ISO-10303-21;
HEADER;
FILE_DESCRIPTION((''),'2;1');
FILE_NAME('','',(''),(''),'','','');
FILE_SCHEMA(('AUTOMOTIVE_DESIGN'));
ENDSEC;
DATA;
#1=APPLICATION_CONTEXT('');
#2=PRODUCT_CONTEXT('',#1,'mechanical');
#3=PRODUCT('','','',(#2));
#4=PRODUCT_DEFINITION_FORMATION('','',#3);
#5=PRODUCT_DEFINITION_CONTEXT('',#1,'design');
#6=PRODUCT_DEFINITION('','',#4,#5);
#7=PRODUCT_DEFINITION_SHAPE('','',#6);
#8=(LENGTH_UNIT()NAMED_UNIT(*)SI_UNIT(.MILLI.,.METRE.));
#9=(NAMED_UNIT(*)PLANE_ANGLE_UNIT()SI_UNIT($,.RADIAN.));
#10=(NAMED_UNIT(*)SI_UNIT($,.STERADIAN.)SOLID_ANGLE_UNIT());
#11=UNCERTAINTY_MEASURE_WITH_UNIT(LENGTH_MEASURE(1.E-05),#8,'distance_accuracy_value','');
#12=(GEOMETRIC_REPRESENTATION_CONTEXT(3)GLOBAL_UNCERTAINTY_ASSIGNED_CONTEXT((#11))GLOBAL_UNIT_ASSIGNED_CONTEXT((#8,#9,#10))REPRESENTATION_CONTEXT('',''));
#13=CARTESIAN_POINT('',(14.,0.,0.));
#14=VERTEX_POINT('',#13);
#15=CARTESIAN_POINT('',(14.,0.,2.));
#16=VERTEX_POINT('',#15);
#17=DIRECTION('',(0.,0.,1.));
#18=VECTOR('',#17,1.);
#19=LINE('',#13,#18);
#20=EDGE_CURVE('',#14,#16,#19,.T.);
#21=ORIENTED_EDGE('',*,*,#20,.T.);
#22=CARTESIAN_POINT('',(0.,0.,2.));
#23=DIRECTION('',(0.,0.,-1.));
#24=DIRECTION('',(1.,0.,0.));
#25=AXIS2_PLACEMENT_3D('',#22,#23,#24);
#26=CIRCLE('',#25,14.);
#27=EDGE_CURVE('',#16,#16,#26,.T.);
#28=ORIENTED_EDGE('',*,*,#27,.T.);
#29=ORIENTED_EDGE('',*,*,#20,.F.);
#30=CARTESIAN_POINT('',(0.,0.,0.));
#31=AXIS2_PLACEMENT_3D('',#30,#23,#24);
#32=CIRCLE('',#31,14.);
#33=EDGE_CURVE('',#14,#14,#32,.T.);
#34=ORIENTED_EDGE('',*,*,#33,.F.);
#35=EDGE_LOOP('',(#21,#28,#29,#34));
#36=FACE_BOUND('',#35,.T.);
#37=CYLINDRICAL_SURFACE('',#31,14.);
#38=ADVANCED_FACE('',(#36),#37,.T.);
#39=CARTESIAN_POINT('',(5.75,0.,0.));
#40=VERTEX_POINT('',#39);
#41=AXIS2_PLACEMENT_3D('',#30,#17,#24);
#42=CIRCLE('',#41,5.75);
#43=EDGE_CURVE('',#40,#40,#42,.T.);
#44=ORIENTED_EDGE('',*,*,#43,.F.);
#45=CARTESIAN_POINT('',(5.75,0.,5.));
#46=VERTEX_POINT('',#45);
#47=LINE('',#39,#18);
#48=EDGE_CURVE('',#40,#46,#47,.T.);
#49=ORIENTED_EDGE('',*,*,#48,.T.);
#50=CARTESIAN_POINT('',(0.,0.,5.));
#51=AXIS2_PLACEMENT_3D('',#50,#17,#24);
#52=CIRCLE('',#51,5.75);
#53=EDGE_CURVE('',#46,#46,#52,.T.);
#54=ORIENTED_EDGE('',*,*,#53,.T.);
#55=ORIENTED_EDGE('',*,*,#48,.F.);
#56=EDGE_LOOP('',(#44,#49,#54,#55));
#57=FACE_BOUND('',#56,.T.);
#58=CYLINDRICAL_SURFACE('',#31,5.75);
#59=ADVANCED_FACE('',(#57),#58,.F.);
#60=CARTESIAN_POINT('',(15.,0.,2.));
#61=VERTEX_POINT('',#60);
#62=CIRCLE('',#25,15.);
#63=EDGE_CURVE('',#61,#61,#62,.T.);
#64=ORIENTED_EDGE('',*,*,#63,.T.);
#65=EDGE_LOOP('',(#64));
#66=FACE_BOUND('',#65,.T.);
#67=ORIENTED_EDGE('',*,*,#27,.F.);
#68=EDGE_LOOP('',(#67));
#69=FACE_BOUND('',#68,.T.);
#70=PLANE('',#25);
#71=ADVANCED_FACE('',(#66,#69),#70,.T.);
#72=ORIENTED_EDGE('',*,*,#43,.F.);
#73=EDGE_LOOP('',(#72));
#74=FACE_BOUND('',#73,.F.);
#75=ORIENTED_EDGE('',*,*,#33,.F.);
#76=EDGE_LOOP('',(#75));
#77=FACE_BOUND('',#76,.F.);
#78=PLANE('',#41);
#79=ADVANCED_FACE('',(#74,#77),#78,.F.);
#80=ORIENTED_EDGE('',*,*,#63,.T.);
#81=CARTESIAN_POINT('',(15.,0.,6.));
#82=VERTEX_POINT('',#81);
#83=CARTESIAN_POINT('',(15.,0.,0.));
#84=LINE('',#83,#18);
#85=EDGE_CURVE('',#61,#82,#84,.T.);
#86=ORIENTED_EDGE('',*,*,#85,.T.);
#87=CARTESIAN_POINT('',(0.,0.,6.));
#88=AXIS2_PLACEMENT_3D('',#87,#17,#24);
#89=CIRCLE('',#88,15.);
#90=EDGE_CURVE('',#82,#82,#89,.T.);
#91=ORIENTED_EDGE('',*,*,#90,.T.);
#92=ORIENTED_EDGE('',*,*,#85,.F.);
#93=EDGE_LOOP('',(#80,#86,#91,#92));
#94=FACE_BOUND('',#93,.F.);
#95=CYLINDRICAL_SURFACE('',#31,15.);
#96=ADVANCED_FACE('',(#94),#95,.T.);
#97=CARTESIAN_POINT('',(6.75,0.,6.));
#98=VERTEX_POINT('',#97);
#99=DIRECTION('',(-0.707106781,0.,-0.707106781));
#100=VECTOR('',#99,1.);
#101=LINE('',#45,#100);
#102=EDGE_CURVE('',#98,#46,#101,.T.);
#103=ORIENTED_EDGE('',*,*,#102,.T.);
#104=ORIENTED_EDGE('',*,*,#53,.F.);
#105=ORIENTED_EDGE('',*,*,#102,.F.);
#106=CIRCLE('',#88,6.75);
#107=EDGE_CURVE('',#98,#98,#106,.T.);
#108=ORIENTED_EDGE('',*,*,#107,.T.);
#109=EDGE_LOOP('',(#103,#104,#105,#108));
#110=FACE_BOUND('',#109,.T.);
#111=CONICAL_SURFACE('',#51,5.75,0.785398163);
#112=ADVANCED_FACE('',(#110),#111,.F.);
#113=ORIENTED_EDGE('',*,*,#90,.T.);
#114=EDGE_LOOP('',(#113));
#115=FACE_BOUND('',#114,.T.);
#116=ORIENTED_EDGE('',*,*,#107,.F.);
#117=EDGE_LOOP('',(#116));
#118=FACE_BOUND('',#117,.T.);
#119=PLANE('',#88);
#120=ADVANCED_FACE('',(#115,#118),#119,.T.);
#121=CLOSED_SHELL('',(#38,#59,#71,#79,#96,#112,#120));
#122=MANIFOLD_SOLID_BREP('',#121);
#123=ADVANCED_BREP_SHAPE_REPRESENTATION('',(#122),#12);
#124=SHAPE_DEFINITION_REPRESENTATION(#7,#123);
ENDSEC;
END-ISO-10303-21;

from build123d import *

# Parameters (mm, degrees)
F0_R     = 15
F0_R_2   = 5.75
F1_DEPTH = 6
F2_R     = 15
F2_R_2   = 14
F3_DEPTH = 2
F4_SIZE  = 1


with BuildPart() as f1:
    # F0 (on Top) → F1 (new body)
    with BuildSketch(Plane.XY):
        Circle(F0_R)
        Circle(F0_R_2, mode=Mode.SUBTRACT)
    extrude(amount=F1_DEPTH)

    # F2 (on face) → F3 (cut)
    with BuildSketch(Plane(origin=(0, 0, 0), x_dir=(1, 0, 0), z_dir=(0, 0, -1))):
        Circle(F2_R)
        Circle(F2_R_2, mode=Mode.SUBTRACT)
    extrude(amount=-F3_DEPTH, mode=Mode.SUBTRACT)

    # F4
    f4_edges = [f1.edges().sort_by_distance(p)[0] for p in [
        (-5.75, 0, 6),
    ]]
    chamfer(f4_edges, length=F4_SIZE)


solid = f1.part
